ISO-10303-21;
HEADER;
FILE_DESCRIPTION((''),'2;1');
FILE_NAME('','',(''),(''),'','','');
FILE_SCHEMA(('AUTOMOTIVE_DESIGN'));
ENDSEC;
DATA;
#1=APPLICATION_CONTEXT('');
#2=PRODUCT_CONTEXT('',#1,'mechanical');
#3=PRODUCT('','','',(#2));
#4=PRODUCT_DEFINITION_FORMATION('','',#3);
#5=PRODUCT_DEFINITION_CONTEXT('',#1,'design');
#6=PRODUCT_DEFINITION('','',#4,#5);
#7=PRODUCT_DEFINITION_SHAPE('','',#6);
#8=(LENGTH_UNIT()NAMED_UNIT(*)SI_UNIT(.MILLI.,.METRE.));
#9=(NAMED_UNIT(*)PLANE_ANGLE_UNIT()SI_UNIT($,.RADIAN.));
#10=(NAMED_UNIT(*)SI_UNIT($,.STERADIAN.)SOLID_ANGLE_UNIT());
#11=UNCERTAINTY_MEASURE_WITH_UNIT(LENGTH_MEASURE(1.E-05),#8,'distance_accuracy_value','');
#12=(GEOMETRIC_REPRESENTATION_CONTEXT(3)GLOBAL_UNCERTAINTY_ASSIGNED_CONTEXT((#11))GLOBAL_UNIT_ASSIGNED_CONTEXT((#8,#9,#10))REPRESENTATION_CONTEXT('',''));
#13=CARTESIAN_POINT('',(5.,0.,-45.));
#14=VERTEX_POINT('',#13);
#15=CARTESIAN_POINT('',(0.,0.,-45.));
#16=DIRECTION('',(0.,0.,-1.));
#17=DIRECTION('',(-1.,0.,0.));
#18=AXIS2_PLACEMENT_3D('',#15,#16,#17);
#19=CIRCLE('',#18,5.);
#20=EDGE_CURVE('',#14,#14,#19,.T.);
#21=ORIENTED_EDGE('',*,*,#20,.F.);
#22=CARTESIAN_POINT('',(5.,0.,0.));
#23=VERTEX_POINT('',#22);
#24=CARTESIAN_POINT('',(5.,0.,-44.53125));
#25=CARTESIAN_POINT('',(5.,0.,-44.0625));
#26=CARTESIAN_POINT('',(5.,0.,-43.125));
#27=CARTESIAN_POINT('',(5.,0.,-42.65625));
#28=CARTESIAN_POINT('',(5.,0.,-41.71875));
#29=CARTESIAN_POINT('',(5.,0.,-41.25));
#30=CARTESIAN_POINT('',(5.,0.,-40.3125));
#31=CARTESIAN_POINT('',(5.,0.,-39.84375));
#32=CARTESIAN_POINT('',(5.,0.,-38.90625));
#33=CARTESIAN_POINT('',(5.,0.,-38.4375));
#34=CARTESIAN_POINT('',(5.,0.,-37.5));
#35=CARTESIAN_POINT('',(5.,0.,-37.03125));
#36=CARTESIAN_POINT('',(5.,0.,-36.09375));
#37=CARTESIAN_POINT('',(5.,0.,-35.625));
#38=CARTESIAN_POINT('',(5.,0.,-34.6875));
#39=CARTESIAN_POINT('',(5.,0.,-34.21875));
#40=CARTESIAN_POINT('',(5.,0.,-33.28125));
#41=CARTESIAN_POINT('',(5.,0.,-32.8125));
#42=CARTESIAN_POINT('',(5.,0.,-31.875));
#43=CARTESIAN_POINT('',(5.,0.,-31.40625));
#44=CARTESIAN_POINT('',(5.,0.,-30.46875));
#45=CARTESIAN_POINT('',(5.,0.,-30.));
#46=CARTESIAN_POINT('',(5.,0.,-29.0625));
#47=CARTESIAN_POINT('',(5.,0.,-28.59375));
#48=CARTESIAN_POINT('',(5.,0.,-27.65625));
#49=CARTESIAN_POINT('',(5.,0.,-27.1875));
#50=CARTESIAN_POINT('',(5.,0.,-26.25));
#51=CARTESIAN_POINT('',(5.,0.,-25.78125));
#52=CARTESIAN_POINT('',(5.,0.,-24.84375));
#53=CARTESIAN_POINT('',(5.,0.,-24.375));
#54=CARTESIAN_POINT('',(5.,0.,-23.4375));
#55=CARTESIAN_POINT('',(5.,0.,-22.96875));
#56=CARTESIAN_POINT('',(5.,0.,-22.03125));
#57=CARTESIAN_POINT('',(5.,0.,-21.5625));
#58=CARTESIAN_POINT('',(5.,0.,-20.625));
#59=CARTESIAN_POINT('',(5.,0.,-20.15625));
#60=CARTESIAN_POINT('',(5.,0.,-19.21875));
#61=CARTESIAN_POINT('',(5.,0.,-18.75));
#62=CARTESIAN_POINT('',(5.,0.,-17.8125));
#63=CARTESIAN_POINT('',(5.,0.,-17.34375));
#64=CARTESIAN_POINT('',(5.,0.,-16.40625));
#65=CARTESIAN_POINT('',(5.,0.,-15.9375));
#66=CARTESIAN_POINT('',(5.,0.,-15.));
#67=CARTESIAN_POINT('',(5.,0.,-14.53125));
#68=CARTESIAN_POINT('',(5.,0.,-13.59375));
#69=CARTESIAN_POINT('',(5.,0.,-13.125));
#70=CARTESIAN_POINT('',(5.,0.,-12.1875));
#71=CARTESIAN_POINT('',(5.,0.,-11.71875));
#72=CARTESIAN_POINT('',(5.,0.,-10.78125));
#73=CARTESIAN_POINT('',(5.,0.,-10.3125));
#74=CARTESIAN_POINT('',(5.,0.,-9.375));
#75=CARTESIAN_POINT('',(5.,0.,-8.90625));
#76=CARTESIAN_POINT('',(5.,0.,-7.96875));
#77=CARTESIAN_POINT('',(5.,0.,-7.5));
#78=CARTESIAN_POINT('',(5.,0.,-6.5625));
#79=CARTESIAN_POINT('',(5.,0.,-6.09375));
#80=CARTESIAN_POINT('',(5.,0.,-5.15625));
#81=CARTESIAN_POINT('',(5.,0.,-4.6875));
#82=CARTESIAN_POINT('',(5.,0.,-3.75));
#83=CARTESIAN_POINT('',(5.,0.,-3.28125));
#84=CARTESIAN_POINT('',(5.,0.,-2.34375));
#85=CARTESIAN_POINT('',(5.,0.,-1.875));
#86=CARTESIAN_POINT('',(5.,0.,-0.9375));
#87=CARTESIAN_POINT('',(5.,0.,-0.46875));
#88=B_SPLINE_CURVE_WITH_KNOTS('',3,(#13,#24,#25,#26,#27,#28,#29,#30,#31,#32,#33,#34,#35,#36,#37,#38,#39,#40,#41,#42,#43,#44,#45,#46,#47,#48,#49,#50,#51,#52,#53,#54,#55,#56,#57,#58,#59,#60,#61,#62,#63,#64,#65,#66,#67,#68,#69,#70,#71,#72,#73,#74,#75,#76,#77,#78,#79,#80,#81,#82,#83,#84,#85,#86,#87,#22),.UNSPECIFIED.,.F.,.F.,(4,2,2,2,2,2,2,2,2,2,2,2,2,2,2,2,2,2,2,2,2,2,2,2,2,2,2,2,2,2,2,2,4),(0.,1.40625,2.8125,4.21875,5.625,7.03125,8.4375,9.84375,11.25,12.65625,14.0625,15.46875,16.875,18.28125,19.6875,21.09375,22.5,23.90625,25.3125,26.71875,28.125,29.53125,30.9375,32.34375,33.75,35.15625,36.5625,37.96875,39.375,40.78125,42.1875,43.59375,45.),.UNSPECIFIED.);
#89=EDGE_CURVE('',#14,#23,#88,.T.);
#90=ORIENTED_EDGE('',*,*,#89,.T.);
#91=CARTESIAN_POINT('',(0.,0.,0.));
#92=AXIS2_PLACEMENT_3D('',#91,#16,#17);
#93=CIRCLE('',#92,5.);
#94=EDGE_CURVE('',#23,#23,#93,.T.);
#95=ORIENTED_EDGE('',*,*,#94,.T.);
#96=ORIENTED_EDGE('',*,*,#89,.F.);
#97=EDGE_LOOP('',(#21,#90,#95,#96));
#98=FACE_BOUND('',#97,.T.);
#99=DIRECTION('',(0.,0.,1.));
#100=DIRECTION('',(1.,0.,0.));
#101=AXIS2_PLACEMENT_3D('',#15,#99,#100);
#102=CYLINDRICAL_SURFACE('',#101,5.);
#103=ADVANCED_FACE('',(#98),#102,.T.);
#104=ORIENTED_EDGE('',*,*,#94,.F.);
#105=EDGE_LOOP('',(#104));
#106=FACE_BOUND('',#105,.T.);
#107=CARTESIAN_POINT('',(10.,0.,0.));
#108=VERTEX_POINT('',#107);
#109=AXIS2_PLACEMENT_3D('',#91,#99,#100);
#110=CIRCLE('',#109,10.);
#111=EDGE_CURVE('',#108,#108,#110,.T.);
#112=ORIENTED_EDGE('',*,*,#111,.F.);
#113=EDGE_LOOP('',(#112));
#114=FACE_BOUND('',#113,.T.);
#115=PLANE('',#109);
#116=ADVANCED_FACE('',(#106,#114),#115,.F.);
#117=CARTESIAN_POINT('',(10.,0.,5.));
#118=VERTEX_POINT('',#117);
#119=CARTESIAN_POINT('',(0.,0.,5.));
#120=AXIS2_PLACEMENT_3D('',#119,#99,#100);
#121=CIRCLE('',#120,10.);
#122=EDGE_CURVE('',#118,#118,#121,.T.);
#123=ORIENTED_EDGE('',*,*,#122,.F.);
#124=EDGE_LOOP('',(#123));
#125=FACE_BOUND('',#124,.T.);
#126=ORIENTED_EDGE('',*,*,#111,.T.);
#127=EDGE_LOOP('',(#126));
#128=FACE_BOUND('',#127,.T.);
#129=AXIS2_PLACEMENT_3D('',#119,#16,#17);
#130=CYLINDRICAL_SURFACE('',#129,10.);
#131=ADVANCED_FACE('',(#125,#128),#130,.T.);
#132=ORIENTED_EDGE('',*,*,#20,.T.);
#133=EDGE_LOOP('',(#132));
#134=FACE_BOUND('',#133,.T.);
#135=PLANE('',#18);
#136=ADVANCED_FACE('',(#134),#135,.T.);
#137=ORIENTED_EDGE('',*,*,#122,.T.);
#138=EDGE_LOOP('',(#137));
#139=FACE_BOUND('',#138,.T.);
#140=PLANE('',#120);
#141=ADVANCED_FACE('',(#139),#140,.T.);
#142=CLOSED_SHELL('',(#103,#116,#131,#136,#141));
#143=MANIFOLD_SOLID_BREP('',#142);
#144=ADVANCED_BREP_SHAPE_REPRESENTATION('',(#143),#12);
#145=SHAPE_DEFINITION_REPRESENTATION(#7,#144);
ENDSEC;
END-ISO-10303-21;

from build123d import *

# Parameters (mm, degrees)
SKETCH1_R           = 10
BOSS_EXTRUDE1_DEPTH = 5
SKETCH2_R           = 5
BOSS_EXTRUDE2_DEPTH = 45


with BuildPart() as part:
    # Sketch1 → Boss-Extrude1 (new body)
    with BuildSketch(Plane.XY):
        Circle(SKETCH1_R)
    extrude(amount=BOSS_EXTRUDE1_DEPTH)

    # Sketch2 → Boss-Extrude2 (add)
    with BuildSketch(Plane(origin=(0, 0, 0), x_dir=(-1, 0, 0), z_dir=(0, 0, -1))):
        with Locations(Location((0, 0, 0), (0, 0, 180))):
            Circle(SKETCH2_R)
    extrude(amount=BOSS_EXTRUDE2_DEPTH)


solid = part.part
